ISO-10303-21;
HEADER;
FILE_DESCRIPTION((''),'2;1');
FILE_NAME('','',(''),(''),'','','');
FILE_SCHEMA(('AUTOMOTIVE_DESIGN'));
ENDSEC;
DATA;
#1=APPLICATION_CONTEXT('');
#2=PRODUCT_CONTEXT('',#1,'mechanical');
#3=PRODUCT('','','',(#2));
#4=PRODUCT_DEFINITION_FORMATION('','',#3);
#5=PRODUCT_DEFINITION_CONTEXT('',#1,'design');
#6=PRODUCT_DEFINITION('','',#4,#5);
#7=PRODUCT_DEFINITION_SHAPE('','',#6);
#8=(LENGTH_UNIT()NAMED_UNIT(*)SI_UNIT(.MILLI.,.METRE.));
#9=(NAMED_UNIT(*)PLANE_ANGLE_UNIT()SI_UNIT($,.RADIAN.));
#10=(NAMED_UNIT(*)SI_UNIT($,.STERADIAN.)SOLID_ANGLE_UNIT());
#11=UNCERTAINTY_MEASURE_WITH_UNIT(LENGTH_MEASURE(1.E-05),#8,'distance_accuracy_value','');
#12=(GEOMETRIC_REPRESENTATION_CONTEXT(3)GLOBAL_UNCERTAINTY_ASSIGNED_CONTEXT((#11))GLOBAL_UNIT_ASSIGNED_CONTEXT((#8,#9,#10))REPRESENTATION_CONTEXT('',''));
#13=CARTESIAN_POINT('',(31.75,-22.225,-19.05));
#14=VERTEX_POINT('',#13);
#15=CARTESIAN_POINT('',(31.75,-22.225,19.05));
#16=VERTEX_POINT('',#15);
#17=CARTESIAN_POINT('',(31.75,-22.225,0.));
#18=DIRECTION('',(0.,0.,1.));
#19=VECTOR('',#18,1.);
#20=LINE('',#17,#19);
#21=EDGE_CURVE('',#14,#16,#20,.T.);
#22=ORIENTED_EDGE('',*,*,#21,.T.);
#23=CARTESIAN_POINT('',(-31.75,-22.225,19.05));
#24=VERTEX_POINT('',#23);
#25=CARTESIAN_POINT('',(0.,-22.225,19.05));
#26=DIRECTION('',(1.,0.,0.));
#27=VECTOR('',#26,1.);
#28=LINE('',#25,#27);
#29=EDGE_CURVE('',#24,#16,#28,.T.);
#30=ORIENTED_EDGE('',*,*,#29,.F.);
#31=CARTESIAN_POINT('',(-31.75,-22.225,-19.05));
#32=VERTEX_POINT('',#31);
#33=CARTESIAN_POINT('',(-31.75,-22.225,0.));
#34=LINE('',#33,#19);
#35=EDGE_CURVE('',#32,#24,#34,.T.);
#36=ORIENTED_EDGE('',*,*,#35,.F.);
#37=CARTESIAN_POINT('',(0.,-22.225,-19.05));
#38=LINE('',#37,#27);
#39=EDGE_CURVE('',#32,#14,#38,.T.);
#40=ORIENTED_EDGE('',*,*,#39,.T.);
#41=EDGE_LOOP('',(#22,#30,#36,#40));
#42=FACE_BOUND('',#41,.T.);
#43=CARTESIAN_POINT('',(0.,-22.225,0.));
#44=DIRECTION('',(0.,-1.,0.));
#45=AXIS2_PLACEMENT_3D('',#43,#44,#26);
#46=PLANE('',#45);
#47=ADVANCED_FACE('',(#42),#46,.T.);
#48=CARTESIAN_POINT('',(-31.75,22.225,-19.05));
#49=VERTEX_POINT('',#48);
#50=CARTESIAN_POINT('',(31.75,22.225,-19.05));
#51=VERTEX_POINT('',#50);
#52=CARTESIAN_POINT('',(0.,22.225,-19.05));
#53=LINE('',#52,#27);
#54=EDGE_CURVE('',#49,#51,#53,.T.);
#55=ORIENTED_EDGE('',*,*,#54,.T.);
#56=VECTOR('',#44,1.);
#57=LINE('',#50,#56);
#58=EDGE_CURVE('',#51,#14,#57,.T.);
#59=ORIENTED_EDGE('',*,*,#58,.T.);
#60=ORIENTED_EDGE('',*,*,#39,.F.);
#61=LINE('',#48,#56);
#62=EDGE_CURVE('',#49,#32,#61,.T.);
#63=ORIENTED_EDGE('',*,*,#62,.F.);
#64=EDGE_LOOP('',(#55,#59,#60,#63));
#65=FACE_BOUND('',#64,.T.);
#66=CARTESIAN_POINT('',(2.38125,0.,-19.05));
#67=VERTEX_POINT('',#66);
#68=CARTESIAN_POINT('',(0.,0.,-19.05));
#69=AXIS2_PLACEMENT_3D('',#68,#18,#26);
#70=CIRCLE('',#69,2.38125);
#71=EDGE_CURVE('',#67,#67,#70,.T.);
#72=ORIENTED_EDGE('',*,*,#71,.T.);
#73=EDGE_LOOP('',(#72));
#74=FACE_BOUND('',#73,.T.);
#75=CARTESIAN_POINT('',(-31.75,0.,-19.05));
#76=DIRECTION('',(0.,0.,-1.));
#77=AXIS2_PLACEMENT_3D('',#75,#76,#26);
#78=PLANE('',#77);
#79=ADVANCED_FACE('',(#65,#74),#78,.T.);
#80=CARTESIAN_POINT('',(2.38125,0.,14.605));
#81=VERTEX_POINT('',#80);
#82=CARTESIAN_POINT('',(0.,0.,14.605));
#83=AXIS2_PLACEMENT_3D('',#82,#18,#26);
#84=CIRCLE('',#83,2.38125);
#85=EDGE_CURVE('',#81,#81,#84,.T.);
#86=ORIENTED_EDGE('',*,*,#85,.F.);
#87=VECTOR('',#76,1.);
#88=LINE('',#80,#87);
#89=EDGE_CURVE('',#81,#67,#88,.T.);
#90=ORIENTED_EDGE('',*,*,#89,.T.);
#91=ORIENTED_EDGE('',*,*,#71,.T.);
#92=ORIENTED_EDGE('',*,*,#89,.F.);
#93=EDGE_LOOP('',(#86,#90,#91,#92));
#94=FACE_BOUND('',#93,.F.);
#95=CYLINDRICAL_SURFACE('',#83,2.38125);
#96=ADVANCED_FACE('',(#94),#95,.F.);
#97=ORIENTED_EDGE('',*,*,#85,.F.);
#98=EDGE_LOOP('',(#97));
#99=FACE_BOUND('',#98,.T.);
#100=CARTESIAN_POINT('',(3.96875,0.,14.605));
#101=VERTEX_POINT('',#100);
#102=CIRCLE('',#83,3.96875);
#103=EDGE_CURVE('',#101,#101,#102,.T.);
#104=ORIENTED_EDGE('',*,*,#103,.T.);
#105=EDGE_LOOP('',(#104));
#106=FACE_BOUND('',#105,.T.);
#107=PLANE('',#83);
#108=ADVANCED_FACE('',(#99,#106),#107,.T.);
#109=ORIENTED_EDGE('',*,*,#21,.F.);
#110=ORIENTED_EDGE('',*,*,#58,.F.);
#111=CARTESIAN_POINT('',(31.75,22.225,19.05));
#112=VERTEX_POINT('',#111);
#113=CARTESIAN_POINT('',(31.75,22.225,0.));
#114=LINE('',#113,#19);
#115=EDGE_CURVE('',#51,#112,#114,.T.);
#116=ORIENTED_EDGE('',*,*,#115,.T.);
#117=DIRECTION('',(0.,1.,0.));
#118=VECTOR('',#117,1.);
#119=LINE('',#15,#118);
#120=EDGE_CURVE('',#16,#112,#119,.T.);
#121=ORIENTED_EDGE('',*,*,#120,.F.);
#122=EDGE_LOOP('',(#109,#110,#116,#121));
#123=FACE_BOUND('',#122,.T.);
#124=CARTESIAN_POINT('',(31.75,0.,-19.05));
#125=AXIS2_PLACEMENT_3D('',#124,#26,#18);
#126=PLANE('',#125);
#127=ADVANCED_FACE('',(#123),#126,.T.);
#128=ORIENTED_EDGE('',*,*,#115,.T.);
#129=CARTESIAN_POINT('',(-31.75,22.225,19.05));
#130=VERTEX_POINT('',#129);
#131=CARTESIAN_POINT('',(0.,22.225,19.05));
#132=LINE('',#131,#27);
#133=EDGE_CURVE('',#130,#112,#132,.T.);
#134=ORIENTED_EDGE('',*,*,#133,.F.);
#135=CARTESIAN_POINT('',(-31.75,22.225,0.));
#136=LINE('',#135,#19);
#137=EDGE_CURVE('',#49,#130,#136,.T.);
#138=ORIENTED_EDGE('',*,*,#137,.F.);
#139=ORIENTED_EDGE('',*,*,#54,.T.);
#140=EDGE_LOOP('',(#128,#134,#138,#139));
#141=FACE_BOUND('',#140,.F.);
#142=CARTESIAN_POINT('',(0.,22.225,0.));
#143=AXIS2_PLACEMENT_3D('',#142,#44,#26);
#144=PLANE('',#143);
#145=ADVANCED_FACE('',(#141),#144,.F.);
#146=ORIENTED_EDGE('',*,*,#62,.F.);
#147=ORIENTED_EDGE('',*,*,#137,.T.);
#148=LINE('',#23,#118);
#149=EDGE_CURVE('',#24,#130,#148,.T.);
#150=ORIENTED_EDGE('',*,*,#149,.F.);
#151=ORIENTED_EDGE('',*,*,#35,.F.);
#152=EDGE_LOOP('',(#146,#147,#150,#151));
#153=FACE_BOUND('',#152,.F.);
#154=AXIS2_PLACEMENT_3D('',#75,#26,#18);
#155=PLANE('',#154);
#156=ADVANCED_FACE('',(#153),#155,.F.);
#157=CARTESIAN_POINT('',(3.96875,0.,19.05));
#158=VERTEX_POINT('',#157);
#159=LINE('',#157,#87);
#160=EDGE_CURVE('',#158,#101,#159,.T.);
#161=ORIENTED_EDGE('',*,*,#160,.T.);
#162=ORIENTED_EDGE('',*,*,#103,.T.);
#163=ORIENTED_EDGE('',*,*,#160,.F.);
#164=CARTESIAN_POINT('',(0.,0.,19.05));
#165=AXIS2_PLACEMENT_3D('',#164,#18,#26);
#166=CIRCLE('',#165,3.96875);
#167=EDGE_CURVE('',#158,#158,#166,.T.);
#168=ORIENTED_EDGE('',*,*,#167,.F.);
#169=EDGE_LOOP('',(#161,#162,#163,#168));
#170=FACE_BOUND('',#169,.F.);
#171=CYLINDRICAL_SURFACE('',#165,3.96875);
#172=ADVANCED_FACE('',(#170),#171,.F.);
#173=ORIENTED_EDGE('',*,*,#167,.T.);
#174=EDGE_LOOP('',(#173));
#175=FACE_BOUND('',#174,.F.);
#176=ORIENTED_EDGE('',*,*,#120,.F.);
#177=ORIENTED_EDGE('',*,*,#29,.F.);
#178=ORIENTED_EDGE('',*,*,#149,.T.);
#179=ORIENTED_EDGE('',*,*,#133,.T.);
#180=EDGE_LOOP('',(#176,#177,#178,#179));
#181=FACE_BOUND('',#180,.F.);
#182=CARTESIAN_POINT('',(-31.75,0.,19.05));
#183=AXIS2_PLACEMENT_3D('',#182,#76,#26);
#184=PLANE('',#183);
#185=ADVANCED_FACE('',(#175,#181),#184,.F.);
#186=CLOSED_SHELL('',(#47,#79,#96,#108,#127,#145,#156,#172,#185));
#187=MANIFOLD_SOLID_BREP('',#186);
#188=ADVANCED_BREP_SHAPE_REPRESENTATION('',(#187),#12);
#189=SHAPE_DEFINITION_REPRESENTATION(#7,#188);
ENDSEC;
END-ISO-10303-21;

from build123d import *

# Parameters (mm, degrees)
F0_W     = 63.5
F0_H     = 38.1
F1_DEPTH = 22.225
F2_R     = 3.96875
F3_DEPTH = 4.445
F4_R     = 2.38125
F5_DEPTH = 33.656


with BuildPart() as f1:
    # F0 (on Front) → F1 (new body, symmetric)
    with BuildSketch(Plane.XZ):
        Rectangle(F0_W, F0_H)
    extrude(amount=F1_DEPTH, both=True)

    # F2 (on face) → F3 (cut)
    with BuildSketch(Plane.XY.offset(19.05)):
        Circle(F2_R)
    extrude(amount=-F3_DEPTH, mode=Mode.SUBTRACT)

    # F4 (on face) → F5 (cut, through all)
    with BuildSketch(Plane.XY.offset(14.605)):
        Circle(F4_R)
    extrude(amount=-F5_DEPTH, mode=Mode.SUBTRACT)


solid = f1.part
